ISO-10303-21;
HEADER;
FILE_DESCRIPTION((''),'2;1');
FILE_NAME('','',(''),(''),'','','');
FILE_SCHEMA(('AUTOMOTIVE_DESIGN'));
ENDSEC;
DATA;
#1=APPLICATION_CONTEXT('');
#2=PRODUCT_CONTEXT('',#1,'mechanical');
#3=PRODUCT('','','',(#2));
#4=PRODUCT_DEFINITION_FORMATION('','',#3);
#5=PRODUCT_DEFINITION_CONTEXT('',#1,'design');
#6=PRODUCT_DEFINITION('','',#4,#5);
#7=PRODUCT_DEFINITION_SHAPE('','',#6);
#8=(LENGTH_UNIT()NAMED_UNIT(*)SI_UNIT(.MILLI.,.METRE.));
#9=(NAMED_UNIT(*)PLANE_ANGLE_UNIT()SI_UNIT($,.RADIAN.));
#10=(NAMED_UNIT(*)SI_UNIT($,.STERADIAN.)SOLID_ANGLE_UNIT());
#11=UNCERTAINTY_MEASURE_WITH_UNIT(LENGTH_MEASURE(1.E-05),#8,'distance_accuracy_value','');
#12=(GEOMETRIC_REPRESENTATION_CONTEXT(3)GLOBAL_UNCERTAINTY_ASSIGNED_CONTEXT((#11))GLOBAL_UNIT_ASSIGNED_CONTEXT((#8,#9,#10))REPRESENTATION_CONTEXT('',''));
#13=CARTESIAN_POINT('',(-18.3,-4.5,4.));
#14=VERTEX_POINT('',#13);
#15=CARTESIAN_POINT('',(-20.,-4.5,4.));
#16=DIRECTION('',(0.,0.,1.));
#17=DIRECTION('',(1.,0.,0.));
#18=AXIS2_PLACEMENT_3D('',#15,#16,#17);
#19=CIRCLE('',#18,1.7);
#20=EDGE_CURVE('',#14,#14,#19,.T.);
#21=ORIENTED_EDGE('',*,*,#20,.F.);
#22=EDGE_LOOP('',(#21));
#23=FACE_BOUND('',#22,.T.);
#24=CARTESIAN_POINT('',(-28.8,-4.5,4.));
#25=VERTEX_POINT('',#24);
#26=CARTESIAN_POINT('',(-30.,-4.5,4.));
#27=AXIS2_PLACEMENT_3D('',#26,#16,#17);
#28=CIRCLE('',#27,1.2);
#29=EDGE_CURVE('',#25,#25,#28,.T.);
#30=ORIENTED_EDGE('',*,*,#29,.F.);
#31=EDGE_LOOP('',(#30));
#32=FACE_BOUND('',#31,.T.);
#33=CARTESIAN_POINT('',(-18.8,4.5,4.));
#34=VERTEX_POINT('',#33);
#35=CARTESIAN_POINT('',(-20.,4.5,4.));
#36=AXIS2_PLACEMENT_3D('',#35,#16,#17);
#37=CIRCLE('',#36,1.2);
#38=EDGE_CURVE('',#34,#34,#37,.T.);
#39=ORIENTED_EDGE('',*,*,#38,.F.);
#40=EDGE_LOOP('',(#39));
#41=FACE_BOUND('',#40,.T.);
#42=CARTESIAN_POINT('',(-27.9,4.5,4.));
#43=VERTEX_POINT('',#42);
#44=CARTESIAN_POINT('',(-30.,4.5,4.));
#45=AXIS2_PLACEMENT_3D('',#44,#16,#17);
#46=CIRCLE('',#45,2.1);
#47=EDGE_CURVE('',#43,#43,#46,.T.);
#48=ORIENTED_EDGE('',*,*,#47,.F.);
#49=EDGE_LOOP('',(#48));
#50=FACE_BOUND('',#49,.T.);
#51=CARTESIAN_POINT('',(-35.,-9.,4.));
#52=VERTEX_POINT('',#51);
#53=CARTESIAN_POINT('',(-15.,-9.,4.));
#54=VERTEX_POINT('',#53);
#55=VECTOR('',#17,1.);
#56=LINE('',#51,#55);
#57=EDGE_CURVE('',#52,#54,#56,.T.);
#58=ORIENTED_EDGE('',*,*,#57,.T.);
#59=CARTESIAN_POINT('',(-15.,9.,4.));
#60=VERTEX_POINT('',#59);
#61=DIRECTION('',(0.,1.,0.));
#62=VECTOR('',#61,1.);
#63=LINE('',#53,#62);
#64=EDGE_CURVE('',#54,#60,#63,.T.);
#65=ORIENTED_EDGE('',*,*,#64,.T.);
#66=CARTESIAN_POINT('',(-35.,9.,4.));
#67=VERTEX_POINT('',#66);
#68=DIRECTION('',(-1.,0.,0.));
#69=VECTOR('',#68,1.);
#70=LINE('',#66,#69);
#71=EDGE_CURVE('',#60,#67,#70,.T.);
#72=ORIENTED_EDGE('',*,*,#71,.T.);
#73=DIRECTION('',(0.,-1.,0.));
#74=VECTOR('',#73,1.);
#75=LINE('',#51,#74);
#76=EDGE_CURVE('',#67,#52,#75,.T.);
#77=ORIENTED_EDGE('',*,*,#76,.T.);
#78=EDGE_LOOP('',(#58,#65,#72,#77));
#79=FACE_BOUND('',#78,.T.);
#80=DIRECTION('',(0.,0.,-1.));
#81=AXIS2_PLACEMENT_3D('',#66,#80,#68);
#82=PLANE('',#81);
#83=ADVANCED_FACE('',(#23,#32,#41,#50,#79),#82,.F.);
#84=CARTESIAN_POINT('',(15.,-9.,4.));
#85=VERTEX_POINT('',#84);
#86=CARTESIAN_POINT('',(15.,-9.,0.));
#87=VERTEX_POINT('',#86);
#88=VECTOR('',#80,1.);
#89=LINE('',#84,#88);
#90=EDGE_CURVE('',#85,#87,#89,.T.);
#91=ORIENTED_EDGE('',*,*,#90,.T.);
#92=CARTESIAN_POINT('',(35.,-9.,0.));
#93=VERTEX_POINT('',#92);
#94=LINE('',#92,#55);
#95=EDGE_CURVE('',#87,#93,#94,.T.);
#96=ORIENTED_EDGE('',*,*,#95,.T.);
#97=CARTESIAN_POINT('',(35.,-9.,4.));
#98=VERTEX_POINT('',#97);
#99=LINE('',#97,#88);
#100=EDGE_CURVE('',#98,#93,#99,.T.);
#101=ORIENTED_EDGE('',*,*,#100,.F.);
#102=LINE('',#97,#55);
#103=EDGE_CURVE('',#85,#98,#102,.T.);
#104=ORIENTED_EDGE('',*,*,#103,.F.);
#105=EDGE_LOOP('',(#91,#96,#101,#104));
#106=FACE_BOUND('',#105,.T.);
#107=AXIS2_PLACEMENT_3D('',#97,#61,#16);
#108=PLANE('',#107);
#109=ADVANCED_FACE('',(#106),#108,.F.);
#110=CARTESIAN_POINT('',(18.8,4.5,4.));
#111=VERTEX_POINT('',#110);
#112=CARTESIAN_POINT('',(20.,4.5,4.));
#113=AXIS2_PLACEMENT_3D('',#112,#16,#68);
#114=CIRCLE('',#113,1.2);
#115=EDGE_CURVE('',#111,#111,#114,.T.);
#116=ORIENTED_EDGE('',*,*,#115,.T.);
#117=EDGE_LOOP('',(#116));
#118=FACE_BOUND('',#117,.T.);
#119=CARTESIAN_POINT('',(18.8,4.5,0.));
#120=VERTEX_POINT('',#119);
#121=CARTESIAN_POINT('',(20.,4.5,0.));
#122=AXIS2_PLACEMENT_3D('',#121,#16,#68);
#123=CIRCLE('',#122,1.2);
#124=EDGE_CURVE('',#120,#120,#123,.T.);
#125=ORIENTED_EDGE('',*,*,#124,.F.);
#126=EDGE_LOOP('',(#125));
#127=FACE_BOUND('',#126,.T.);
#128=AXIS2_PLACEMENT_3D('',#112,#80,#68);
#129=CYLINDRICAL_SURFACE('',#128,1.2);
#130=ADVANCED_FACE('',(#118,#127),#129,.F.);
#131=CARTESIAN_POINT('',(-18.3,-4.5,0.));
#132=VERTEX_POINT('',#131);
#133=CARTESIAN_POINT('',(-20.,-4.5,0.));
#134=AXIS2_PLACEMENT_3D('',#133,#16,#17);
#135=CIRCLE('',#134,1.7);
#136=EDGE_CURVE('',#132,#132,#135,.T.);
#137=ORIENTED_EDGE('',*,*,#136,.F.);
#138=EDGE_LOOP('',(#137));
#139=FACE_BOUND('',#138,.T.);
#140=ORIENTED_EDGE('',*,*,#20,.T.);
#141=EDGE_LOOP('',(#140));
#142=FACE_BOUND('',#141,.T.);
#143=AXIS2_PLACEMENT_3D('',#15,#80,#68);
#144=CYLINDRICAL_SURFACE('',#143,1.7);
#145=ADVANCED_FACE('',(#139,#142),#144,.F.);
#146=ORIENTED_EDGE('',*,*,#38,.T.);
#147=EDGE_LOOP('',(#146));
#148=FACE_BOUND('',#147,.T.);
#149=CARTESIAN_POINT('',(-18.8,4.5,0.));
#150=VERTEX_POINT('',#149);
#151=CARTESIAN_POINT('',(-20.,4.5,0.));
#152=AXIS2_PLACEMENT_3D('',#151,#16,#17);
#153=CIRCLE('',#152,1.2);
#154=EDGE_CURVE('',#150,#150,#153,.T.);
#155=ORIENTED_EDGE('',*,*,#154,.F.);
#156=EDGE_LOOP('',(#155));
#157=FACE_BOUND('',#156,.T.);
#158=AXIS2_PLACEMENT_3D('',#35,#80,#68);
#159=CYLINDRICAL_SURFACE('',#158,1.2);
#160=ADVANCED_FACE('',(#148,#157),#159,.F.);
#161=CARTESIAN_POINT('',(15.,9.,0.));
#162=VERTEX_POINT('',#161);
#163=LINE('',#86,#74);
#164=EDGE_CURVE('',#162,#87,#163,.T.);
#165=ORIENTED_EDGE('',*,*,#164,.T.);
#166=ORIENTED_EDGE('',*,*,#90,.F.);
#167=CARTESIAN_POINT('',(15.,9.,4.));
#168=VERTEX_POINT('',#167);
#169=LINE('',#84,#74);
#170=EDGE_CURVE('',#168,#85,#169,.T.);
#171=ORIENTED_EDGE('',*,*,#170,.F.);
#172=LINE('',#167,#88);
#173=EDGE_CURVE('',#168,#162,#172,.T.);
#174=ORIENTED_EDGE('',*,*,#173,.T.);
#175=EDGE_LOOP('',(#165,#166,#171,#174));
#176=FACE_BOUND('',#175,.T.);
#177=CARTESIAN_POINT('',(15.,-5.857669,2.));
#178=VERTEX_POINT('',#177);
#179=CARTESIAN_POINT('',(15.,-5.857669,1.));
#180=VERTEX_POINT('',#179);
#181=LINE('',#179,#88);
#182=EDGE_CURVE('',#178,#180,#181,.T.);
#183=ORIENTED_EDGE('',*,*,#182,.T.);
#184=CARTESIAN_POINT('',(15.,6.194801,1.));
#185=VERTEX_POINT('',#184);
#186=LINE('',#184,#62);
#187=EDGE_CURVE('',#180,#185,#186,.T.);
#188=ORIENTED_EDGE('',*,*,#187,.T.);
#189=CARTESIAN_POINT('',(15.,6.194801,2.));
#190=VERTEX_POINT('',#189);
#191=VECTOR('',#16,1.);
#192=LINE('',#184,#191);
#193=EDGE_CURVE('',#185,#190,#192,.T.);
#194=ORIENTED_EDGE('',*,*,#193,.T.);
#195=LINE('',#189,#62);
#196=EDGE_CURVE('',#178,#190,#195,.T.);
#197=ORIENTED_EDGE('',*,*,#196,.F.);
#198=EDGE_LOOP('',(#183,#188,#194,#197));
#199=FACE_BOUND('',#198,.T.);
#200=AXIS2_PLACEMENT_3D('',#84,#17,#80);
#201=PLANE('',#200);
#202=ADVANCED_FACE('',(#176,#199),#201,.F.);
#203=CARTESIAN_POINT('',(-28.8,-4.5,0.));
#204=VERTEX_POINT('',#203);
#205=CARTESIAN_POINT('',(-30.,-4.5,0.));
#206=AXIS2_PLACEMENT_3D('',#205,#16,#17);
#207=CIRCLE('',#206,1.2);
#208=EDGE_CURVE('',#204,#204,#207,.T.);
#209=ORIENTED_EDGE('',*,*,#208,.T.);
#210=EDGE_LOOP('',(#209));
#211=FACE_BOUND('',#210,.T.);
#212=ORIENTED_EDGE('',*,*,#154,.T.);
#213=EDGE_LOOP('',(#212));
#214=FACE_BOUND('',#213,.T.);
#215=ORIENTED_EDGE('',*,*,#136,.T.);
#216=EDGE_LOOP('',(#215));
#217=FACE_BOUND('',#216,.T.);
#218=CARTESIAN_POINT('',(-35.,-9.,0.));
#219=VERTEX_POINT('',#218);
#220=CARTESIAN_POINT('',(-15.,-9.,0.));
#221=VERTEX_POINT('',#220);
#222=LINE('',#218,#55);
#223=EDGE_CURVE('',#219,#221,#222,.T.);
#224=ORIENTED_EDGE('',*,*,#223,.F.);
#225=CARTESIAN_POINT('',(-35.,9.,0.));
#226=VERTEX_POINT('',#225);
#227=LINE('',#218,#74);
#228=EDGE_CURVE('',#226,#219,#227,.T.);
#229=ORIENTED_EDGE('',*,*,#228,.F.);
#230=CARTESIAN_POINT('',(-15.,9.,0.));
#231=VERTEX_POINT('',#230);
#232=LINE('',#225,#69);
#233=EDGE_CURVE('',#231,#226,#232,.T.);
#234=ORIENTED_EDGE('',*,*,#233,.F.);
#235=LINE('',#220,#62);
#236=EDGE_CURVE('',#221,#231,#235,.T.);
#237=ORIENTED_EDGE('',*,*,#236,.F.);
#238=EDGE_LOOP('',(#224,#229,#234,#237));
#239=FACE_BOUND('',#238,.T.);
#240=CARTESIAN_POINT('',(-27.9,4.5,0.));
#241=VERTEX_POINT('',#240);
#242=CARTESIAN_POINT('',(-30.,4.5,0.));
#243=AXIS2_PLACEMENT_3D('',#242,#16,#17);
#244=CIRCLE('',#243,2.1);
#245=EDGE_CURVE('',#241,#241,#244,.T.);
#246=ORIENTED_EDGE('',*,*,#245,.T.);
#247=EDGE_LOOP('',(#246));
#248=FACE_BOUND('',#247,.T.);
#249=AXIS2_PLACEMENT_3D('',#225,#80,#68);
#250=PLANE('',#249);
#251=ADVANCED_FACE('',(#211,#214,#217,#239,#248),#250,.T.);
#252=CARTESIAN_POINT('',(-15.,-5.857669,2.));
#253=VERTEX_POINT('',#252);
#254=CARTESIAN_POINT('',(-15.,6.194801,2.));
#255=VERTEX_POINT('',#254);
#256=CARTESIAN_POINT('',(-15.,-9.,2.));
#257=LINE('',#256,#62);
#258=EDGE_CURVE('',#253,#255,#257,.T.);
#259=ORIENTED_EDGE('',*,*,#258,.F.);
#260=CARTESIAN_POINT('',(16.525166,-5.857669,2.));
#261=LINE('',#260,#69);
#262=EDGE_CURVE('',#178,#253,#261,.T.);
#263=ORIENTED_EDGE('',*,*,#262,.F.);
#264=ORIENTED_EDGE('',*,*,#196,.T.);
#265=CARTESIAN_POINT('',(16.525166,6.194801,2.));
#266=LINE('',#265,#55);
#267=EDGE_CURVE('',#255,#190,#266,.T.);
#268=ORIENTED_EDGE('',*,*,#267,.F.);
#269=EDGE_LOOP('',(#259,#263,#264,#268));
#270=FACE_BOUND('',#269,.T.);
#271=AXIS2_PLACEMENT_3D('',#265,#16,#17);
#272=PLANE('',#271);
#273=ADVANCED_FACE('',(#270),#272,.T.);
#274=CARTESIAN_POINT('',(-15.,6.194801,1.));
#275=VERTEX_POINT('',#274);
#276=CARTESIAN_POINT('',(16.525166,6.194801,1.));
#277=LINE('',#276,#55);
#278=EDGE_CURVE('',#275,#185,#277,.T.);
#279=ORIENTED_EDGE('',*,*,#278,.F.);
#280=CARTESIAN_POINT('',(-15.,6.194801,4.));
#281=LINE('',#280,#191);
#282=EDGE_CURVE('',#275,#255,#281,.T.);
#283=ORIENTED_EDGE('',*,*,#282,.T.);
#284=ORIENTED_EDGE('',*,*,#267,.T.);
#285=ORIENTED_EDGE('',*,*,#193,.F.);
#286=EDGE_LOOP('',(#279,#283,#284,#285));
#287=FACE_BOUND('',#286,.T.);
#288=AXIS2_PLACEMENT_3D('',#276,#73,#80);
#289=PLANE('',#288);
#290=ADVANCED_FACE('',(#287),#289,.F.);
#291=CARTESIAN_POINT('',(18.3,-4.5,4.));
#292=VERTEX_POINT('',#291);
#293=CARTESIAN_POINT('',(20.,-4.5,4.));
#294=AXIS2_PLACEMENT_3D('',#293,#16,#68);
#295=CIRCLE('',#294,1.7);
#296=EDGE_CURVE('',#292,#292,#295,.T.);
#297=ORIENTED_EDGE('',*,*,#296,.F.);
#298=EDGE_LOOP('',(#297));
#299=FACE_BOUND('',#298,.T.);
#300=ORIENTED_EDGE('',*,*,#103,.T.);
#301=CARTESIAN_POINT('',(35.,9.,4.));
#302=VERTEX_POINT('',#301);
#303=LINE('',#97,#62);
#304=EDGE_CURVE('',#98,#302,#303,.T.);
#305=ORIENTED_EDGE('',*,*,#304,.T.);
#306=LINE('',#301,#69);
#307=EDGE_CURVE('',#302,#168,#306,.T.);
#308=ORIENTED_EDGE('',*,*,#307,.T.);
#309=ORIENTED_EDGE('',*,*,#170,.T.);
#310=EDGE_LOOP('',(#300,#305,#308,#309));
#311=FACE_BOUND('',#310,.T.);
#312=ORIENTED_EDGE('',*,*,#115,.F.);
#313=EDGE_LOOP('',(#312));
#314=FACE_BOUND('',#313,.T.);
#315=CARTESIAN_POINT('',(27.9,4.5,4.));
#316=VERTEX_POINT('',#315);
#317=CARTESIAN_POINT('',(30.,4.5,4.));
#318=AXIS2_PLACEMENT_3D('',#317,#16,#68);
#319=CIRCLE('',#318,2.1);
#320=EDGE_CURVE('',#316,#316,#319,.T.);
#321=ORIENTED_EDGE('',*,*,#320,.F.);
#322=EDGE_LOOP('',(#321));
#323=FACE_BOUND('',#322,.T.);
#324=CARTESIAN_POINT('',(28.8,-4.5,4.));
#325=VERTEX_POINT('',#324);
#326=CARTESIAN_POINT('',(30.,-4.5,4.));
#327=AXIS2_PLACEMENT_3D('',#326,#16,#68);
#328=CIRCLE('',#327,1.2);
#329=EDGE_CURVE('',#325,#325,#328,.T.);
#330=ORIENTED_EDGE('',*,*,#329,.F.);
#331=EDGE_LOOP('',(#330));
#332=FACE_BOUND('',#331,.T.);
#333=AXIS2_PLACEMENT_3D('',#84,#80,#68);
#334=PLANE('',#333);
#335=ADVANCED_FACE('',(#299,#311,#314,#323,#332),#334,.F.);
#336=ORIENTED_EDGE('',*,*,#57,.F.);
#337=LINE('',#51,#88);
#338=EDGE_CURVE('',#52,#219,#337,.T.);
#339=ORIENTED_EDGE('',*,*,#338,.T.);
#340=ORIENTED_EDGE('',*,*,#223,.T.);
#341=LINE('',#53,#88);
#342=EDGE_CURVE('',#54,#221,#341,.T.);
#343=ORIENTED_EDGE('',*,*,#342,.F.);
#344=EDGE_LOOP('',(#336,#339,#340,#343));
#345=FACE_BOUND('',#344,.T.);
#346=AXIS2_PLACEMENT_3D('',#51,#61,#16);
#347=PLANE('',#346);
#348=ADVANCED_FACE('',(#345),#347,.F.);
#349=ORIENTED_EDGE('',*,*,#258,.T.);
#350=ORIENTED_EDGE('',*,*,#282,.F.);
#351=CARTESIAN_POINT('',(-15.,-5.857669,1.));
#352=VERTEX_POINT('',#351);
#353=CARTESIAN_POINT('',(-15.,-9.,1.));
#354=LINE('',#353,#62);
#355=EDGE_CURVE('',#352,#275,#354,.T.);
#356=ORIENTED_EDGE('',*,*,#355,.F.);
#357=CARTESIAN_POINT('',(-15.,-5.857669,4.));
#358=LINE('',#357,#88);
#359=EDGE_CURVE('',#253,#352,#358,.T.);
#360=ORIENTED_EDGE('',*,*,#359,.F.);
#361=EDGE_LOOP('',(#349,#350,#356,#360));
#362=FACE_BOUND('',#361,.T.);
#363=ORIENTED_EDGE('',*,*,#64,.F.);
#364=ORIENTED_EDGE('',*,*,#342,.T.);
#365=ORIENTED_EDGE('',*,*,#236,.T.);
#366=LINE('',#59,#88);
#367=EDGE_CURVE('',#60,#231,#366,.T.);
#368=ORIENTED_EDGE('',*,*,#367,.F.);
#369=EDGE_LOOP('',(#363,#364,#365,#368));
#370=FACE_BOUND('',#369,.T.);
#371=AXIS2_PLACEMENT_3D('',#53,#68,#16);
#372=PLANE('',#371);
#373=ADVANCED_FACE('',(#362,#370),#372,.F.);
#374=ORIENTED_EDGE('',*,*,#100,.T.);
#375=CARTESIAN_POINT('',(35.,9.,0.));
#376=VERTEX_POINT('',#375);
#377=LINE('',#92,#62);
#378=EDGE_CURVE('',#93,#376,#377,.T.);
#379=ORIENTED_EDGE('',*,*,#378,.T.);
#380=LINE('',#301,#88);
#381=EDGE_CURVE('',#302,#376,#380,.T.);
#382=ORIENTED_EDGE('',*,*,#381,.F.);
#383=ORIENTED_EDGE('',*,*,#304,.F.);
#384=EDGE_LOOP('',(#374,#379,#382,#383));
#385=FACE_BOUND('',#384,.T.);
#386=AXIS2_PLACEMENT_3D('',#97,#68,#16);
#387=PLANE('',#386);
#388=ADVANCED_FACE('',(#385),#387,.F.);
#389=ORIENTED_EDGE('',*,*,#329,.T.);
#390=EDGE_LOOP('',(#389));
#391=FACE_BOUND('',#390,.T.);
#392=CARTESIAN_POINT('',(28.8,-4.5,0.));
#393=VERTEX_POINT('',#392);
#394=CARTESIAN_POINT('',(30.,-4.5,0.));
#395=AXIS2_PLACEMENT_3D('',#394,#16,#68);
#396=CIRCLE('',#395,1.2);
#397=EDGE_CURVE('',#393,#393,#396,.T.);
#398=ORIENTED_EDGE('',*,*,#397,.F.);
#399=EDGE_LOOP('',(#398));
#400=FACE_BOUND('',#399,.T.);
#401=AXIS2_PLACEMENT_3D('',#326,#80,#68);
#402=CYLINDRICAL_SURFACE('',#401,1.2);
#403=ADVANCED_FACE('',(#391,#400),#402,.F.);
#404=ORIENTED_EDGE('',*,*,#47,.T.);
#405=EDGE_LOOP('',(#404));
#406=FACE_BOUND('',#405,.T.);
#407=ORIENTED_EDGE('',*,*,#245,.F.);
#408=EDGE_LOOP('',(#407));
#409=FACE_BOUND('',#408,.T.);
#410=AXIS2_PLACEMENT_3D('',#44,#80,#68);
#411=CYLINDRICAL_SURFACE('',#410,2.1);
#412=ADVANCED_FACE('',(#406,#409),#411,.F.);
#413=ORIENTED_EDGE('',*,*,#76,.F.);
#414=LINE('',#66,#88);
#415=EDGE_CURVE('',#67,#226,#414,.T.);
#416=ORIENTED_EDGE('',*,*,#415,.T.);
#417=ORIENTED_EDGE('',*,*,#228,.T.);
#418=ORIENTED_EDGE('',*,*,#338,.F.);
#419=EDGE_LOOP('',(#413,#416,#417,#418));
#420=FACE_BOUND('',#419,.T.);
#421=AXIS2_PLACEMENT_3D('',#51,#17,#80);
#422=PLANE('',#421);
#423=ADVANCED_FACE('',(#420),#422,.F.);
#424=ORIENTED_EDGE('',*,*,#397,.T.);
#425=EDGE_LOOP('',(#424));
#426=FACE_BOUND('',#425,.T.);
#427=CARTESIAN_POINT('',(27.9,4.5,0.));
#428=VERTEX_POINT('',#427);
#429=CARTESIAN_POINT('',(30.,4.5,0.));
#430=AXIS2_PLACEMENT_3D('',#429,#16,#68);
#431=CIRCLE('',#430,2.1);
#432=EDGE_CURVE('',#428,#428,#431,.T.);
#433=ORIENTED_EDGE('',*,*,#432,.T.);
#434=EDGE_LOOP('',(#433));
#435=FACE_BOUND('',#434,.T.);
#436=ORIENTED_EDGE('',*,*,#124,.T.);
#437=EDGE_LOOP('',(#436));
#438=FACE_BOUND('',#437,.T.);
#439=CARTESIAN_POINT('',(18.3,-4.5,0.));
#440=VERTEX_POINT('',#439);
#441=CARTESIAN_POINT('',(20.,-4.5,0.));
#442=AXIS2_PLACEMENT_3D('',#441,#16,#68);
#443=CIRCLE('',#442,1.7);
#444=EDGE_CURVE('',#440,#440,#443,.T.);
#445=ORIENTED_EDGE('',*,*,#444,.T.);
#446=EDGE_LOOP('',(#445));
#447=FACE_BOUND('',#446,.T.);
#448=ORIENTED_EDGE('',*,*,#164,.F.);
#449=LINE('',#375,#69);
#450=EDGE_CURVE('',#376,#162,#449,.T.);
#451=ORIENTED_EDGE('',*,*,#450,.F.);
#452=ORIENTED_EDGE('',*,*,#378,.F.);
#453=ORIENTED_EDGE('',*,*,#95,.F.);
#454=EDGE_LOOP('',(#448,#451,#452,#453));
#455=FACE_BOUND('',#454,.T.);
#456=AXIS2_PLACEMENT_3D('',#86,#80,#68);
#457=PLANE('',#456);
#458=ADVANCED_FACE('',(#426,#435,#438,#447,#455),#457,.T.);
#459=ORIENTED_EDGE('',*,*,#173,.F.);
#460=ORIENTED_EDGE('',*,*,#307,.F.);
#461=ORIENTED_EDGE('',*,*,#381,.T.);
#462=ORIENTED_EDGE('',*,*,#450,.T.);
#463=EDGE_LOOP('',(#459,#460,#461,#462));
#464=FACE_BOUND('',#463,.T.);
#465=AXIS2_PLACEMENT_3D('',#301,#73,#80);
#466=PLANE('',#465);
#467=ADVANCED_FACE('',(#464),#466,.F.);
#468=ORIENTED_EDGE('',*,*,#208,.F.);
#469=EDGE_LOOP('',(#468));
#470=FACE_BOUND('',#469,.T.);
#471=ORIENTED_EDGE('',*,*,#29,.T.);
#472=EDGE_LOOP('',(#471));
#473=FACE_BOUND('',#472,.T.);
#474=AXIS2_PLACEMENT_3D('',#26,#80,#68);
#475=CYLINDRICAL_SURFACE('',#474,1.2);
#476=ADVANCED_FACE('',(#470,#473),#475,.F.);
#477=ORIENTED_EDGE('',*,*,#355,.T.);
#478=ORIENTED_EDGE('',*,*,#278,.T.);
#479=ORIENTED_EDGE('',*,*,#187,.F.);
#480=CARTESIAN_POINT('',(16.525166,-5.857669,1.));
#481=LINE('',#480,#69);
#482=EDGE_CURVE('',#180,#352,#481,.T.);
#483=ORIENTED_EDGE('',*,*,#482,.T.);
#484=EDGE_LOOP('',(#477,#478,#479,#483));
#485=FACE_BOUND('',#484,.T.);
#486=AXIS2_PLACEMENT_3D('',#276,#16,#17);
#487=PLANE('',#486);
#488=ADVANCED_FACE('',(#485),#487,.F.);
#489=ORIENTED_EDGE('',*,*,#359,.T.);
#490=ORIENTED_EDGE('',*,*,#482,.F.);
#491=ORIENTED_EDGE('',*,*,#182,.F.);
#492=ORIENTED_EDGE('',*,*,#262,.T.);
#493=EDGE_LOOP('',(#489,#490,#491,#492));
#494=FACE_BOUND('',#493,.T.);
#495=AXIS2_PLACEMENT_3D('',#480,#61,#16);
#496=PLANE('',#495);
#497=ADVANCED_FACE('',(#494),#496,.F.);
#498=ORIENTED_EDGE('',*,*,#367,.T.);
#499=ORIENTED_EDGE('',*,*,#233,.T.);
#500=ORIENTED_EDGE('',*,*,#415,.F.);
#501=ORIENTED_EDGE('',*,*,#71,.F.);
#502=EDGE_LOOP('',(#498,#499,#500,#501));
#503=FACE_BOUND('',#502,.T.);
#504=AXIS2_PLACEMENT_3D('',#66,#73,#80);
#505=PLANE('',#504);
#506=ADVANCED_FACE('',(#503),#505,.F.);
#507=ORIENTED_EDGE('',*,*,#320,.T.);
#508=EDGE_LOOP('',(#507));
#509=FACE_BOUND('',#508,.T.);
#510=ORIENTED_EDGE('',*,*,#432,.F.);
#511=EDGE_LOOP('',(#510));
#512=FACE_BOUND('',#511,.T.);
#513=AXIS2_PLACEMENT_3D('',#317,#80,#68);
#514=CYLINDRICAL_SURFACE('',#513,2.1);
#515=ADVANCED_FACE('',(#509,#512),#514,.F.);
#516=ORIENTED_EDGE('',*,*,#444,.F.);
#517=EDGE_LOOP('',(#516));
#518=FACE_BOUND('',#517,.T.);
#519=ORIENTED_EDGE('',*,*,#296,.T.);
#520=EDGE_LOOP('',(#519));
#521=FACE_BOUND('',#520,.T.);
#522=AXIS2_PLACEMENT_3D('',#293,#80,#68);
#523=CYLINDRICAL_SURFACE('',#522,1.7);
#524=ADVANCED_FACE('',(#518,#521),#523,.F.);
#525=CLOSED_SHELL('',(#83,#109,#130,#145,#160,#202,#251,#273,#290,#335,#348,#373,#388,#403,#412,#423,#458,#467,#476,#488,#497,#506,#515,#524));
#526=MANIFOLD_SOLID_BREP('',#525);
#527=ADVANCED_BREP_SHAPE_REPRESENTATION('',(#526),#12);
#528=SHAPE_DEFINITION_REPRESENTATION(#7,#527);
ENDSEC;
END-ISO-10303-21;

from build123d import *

# Parameters (mm, degrees)
SKETCH_1_W        = 20
SKETCH_1_H        = 18
SKETCH_1_R        = 1.2
SKETCH_1_R_2      = 1.7
SKETCH_1_R_3      = 2.1
EXTRUDE_1_DEPTH   = 4
EXTRUDE_1_2_DEPTH = 4
SKETCH_2_W        = 33.123219373
SKETCH_2_H        = 12.052469136
EXTRUDE_2_DEPTH   = 1


with BuildPart() as part:
    # Эскиз1 → Вытянуть1 (new body)
    with BuildSketch(Plane.XY):
        with Locations((25, 0)):
            Rectangle(SKETCH_1_W, SKETCH_1_H)
        with Locations(Location((30, -4.5, 0), (0, 0, 180))):
            Circle(SKETCH_1_R, mode=Mode.SUBTRACT)
        with Locations(Location((20, -4.5, 0), (0, 0, 180))):
            Circle(SKETCH_1_R_2, mode=Mode.SUBTRACT)
        with Locations(Location((20, 4.5, 0), (0, 0, 180))):
            Circle(SKETCH_1_R, mode=Mode.SUBTRACT)
        with Locations(Location((30, 4.5, 0), (0, 0, 180))):
            Circle(SKETCH_1_R_3, mode=Mode.SUBTRACT)
    extrude(amount=EXTRUDE_1_DEPTH)



with BuildPart() as body_2:
    # Эскиз1 → Extrude 1 2 (new body)
    with BuildSketch(Plane.XY):
        with Locations((-25, 0)):
            Rectangle(SKETCH_1_W, SKETCH_1_H)
        with Locations((-30, 4.5)):
            Circle(SKETCH_1_R_3, mode=Mode.SUBTRACT)
        with Locations((-20, 4.5)):
            Circle(SKETCH_1_R, mode=Mode.SUBTRACT)
        with Locations((-20, -4.5)):
            Circle(SKETCH_1_R_2, mode=Mode.SUBTRACT)
        with Locations((-30, -4.5)):
            Circle(SKETCH_1_R, mode=Mode.SUBTRACT)
    extrude(amount=EXTRUDE_1_2_DEPTH)


with BuildPart() as part_1:
    add(part.part)

    add(body_2.part)  # Вытянуть2 merges body 2
    # Эскиз2 → Вытянуть2 (add)
    with BuildSketch(Plane(origin=(0, 0, 2), x_dir=(-1, 0, 0), z_dir=(0, 0, -1))):
        with Locations((0.036443495, 0.168566002)):
            Rectangle(SKETCH_2_W, SKETCH_2_H)
    extrude(amount=EXTRUDE_2_DEPTH)


solid = part_1.part
